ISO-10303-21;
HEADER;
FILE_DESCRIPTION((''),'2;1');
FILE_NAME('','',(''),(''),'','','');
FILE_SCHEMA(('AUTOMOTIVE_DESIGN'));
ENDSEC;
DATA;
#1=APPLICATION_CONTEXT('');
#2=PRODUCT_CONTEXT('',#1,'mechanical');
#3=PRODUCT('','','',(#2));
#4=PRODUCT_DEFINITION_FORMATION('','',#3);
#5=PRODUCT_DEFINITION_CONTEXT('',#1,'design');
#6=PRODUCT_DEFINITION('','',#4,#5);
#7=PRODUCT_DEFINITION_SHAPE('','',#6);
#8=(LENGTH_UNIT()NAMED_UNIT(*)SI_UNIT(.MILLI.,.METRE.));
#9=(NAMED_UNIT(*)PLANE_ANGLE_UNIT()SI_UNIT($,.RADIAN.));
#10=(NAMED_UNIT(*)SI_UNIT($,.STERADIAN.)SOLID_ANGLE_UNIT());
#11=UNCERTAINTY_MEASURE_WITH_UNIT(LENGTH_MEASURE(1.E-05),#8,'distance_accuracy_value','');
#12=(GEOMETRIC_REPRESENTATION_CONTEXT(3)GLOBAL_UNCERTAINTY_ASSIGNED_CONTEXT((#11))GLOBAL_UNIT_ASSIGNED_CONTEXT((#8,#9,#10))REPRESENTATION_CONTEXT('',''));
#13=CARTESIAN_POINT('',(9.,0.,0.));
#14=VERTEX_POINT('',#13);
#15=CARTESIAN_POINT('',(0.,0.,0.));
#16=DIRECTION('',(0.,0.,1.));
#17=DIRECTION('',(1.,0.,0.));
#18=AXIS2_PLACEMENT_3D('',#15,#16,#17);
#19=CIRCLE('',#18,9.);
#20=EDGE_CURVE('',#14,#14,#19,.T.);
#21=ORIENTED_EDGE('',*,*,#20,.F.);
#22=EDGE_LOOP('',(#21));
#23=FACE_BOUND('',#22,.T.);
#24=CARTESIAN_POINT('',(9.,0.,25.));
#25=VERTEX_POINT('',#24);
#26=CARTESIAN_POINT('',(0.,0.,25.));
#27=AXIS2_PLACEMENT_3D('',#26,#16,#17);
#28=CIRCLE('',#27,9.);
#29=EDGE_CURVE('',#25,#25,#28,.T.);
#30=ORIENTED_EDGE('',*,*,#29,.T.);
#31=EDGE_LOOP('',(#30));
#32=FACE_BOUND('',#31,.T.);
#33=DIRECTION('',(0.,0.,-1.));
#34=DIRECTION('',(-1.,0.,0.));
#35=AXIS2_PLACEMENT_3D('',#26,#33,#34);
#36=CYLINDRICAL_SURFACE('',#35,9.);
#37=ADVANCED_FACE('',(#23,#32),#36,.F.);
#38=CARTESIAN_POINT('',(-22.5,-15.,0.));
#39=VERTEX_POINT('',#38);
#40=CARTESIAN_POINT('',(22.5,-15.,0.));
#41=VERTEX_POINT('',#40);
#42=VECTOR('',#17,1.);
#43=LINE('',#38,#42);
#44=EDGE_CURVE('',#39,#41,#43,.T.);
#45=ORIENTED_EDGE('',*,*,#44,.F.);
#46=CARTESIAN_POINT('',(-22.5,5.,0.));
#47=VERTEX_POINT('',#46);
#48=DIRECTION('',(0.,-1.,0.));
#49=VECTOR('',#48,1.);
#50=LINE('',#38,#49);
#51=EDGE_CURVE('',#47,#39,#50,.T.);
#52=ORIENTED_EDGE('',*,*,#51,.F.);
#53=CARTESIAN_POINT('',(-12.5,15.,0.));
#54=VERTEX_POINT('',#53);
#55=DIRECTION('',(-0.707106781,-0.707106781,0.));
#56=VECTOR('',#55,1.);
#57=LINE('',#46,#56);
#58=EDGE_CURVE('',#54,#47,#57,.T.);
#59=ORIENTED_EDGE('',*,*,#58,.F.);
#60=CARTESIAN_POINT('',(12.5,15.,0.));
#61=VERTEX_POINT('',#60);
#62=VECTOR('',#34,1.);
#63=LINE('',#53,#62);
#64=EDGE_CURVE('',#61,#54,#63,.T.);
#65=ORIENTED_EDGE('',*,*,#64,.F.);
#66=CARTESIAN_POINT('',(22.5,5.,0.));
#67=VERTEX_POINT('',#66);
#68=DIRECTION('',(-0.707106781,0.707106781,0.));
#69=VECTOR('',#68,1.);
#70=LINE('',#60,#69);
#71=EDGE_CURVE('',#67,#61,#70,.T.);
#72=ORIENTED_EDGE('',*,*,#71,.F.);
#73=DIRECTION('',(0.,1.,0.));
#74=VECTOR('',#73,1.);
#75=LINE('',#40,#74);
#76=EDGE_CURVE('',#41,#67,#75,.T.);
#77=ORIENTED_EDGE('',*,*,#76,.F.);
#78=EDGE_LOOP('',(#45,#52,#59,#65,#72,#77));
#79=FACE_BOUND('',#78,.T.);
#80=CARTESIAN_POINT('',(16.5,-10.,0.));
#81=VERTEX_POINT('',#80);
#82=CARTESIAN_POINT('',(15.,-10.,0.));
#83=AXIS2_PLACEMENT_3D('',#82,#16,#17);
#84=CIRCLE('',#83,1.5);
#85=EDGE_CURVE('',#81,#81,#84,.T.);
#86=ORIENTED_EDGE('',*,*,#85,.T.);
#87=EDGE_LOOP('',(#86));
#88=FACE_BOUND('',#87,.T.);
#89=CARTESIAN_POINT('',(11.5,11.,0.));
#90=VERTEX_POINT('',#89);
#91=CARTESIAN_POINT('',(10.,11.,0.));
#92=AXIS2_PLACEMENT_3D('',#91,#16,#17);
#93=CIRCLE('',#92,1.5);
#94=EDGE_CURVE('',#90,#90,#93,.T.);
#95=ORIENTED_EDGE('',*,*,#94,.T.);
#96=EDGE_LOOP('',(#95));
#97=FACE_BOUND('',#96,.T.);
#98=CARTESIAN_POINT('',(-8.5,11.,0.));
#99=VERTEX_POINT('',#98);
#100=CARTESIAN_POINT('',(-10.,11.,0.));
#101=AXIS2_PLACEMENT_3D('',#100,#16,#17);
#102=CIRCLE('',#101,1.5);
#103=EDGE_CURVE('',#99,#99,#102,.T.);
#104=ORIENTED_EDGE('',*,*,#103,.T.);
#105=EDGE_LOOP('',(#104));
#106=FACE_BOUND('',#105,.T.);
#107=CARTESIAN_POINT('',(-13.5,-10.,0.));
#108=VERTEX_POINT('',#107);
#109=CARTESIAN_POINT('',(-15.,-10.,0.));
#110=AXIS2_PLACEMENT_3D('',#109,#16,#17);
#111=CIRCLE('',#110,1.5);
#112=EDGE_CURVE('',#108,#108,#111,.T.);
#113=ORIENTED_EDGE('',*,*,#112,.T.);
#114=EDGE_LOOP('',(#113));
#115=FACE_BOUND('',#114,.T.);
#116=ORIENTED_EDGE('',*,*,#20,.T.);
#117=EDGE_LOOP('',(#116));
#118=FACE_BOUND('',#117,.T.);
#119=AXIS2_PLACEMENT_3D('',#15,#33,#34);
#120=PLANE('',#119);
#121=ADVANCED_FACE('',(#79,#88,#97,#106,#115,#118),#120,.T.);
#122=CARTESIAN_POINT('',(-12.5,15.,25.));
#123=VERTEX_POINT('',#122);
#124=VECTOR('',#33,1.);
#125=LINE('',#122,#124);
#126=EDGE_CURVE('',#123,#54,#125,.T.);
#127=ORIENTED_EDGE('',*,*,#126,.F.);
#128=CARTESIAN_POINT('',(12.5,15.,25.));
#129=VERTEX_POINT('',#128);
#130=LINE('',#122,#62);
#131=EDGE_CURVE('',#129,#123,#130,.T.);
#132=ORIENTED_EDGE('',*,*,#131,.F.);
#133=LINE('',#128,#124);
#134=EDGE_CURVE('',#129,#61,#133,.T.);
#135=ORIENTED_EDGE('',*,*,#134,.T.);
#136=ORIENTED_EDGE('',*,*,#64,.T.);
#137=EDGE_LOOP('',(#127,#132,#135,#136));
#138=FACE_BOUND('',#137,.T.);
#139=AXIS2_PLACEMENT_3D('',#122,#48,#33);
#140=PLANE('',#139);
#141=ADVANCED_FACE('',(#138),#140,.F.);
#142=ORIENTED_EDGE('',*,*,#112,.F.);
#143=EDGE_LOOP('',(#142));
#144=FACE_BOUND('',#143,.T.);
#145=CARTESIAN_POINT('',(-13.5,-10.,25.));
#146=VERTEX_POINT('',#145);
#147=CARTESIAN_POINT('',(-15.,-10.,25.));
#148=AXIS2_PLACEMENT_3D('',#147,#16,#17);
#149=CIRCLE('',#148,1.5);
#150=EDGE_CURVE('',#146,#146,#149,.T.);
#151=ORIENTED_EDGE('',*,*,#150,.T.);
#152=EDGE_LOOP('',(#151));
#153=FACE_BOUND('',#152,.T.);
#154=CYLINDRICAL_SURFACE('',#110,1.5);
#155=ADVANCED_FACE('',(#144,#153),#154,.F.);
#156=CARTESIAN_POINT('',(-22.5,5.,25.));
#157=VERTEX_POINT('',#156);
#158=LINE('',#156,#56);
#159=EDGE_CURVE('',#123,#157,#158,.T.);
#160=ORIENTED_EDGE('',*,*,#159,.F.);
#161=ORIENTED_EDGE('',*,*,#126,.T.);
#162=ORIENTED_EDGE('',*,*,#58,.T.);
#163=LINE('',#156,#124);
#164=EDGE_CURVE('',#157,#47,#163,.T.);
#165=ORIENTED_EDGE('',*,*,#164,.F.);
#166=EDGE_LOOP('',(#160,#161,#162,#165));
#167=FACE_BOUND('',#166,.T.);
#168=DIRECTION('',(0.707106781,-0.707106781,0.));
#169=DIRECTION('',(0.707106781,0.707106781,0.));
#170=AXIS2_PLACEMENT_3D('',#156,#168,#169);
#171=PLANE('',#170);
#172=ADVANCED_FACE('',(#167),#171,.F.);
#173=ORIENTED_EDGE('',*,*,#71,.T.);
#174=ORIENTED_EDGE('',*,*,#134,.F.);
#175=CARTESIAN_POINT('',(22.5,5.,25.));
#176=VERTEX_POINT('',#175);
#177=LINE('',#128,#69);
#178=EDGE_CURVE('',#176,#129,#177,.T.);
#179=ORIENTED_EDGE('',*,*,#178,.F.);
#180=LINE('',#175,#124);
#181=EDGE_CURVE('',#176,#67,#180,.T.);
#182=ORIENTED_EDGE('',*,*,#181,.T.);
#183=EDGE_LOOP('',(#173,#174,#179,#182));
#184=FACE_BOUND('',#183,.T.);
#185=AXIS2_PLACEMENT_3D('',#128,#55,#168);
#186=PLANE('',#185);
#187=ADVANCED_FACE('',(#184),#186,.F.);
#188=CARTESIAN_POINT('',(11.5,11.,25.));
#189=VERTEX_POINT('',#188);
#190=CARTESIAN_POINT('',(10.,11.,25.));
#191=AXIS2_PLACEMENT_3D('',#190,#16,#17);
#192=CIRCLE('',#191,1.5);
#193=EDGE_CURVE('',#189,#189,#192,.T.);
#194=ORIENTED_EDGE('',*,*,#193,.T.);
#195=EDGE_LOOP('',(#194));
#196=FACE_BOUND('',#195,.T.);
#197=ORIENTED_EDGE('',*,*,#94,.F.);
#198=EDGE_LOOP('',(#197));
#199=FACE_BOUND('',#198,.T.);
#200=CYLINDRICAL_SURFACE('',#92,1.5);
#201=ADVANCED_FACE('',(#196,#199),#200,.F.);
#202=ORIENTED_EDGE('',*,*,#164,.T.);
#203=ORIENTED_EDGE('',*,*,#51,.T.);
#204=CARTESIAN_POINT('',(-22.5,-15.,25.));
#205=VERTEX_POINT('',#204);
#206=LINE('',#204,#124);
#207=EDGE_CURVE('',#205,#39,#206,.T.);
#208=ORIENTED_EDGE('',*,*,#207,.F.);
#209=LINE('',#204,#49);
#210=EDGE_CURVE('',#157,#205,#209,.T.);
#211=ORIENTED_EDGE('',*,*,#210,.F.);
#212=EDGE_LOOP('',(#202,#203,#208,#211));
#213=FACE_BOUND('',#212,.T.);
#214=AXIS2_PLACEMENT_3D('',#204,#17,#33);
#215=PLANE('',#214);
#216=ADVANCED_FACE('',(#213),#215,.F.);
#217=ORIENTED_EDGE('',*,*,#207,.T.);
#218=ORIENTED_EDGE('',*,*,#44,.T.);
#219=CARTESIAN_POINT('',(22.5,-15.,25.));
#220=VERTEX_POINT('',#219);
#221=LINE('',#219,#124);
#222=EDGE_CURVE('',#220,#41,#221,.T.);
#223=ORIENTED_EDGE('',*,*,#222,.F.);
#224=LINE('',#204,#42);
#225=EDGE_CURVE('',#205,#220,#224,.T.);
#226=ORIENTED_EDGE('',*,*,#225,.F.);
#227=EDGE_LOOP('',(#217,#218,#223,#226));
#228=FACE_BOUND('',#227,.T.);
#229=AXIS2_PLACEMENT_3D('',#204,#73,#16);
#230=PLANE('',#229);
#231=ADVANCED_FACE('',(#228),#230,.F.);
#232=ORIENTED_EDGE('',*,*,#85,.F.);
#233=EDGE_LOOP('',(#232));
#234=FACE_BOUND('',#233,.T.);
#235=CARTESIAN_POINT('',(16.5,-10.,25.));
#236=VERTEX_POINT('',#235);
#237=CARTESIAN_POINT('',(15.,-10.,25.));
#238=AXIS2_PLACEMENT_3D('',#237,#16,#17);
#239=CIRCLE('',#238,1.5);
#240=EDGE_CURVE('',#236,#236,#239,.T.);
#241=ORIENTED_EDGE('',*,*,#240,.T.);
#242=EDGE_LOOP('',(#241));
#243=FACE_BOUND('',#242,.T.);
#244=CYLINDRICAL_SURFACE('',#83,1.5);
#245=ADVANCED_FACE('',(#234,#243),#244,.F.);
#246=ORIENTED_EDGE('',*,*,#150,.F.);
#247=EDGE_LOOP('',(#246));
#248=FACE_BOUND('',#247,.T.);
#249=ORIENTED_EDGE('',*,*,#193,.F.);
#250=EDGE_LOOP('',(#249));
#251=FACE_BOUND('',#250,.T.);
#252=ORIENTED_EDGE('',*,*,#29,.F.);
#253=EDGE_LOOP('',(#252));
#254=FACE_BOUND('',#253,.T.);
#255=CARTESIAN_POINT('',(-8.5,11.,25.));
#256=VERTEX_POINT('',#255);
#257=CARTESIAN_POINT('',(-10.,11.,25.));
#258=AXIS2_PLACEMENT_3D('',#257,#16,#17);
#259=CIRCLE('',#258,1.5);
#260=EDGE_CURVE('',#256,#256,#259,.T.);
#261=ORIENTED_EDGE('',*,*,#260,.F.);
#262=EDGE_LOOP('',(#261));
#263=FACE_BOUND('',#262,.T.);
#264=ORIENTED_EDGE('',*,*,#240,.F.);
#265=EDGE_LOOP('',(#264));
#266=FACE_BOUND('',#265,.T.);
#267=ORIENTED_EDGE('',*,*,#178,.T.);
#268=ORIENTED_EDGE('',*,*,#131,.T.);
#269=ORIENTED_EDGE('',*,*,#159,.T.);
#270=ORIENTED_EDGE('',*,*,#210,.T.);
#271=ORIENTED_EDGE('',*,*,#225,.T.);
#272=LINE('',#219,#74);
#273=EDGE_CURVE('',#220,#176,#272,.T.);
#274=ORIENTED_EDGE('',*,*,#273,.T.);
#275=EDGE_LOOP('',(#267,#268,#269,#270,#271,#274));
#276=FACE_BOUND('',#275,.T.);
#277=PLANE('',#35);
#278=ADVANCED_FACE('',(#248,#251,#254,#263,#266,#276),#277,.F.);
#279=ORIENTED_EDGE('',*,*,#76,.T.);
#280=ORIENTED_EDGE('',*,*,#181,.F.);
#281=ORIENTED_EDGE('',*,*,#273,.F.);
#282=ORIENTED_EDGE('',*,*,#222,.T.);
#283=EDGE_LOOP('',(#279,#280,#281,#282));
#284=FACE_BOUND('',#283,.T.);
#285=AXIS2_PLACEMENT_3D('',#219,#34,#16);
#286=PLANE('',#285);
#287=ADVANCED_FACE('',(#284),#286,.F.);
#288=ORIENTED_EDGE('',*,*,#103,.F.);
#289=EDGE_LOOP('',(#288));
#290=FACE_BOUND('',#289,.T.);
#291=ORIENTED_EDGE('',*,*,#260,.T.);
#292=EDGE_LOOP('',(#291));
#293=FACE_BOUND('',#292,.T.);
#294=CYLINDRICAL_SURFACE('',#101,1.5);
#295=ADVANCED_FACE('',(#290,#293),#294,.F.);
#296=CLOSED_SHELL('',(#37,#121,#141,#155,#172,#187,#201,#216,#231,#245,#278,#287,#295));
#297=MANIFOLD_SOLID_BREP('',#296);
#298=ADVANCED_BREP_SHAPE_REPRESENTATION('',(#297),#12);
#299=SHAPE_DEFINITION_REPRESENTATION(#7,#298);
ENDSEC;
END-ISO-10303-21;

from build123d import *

# Parameters (mm, degrees)
CROQUIS1_R              = 9
SALIENTE_EXTRUIR1_DEPTH = 25
CROQUIS2_R              = 1.5
CORTAR_EXTRUIR1_DEPTH   = 25


with BuildPart() as part:
    # Croquis1 → Saliente-Extruir1 (new body)
    with BuildSketch(Plane.XY):
        Polygon((-22.5, 5), (-12.5, 15), (12.5, 15), (22.5, 5), (22.5, -15), (-22.5, -15), align=None)
        Circle(CROQUIS1_R, mode=Mode.SUBTRACT)
    extrude(amount=SALIENTE_EXTRUIR1_DEPTH)

    # Croquis2 → Cortar-Extruir1 (cut)
    with BuildSketch(Plane.XY.offset(25)):
        with Locations((-15, -10)):
            Circle(CROQUIS2_R)
        with Locations((15, -10)):
            Circle(CROQUIS2_R)
        with Locations((-10, 11)):
            Circle(CROQUIS2_R)
        with Locations((10, 11)):
            Circle(CROQUIS2_R)
    extrude(amount=-CORTAR_EXTRUIR1_DEPTH, mode=Mode.SUBTRACT)


solid = part.part
